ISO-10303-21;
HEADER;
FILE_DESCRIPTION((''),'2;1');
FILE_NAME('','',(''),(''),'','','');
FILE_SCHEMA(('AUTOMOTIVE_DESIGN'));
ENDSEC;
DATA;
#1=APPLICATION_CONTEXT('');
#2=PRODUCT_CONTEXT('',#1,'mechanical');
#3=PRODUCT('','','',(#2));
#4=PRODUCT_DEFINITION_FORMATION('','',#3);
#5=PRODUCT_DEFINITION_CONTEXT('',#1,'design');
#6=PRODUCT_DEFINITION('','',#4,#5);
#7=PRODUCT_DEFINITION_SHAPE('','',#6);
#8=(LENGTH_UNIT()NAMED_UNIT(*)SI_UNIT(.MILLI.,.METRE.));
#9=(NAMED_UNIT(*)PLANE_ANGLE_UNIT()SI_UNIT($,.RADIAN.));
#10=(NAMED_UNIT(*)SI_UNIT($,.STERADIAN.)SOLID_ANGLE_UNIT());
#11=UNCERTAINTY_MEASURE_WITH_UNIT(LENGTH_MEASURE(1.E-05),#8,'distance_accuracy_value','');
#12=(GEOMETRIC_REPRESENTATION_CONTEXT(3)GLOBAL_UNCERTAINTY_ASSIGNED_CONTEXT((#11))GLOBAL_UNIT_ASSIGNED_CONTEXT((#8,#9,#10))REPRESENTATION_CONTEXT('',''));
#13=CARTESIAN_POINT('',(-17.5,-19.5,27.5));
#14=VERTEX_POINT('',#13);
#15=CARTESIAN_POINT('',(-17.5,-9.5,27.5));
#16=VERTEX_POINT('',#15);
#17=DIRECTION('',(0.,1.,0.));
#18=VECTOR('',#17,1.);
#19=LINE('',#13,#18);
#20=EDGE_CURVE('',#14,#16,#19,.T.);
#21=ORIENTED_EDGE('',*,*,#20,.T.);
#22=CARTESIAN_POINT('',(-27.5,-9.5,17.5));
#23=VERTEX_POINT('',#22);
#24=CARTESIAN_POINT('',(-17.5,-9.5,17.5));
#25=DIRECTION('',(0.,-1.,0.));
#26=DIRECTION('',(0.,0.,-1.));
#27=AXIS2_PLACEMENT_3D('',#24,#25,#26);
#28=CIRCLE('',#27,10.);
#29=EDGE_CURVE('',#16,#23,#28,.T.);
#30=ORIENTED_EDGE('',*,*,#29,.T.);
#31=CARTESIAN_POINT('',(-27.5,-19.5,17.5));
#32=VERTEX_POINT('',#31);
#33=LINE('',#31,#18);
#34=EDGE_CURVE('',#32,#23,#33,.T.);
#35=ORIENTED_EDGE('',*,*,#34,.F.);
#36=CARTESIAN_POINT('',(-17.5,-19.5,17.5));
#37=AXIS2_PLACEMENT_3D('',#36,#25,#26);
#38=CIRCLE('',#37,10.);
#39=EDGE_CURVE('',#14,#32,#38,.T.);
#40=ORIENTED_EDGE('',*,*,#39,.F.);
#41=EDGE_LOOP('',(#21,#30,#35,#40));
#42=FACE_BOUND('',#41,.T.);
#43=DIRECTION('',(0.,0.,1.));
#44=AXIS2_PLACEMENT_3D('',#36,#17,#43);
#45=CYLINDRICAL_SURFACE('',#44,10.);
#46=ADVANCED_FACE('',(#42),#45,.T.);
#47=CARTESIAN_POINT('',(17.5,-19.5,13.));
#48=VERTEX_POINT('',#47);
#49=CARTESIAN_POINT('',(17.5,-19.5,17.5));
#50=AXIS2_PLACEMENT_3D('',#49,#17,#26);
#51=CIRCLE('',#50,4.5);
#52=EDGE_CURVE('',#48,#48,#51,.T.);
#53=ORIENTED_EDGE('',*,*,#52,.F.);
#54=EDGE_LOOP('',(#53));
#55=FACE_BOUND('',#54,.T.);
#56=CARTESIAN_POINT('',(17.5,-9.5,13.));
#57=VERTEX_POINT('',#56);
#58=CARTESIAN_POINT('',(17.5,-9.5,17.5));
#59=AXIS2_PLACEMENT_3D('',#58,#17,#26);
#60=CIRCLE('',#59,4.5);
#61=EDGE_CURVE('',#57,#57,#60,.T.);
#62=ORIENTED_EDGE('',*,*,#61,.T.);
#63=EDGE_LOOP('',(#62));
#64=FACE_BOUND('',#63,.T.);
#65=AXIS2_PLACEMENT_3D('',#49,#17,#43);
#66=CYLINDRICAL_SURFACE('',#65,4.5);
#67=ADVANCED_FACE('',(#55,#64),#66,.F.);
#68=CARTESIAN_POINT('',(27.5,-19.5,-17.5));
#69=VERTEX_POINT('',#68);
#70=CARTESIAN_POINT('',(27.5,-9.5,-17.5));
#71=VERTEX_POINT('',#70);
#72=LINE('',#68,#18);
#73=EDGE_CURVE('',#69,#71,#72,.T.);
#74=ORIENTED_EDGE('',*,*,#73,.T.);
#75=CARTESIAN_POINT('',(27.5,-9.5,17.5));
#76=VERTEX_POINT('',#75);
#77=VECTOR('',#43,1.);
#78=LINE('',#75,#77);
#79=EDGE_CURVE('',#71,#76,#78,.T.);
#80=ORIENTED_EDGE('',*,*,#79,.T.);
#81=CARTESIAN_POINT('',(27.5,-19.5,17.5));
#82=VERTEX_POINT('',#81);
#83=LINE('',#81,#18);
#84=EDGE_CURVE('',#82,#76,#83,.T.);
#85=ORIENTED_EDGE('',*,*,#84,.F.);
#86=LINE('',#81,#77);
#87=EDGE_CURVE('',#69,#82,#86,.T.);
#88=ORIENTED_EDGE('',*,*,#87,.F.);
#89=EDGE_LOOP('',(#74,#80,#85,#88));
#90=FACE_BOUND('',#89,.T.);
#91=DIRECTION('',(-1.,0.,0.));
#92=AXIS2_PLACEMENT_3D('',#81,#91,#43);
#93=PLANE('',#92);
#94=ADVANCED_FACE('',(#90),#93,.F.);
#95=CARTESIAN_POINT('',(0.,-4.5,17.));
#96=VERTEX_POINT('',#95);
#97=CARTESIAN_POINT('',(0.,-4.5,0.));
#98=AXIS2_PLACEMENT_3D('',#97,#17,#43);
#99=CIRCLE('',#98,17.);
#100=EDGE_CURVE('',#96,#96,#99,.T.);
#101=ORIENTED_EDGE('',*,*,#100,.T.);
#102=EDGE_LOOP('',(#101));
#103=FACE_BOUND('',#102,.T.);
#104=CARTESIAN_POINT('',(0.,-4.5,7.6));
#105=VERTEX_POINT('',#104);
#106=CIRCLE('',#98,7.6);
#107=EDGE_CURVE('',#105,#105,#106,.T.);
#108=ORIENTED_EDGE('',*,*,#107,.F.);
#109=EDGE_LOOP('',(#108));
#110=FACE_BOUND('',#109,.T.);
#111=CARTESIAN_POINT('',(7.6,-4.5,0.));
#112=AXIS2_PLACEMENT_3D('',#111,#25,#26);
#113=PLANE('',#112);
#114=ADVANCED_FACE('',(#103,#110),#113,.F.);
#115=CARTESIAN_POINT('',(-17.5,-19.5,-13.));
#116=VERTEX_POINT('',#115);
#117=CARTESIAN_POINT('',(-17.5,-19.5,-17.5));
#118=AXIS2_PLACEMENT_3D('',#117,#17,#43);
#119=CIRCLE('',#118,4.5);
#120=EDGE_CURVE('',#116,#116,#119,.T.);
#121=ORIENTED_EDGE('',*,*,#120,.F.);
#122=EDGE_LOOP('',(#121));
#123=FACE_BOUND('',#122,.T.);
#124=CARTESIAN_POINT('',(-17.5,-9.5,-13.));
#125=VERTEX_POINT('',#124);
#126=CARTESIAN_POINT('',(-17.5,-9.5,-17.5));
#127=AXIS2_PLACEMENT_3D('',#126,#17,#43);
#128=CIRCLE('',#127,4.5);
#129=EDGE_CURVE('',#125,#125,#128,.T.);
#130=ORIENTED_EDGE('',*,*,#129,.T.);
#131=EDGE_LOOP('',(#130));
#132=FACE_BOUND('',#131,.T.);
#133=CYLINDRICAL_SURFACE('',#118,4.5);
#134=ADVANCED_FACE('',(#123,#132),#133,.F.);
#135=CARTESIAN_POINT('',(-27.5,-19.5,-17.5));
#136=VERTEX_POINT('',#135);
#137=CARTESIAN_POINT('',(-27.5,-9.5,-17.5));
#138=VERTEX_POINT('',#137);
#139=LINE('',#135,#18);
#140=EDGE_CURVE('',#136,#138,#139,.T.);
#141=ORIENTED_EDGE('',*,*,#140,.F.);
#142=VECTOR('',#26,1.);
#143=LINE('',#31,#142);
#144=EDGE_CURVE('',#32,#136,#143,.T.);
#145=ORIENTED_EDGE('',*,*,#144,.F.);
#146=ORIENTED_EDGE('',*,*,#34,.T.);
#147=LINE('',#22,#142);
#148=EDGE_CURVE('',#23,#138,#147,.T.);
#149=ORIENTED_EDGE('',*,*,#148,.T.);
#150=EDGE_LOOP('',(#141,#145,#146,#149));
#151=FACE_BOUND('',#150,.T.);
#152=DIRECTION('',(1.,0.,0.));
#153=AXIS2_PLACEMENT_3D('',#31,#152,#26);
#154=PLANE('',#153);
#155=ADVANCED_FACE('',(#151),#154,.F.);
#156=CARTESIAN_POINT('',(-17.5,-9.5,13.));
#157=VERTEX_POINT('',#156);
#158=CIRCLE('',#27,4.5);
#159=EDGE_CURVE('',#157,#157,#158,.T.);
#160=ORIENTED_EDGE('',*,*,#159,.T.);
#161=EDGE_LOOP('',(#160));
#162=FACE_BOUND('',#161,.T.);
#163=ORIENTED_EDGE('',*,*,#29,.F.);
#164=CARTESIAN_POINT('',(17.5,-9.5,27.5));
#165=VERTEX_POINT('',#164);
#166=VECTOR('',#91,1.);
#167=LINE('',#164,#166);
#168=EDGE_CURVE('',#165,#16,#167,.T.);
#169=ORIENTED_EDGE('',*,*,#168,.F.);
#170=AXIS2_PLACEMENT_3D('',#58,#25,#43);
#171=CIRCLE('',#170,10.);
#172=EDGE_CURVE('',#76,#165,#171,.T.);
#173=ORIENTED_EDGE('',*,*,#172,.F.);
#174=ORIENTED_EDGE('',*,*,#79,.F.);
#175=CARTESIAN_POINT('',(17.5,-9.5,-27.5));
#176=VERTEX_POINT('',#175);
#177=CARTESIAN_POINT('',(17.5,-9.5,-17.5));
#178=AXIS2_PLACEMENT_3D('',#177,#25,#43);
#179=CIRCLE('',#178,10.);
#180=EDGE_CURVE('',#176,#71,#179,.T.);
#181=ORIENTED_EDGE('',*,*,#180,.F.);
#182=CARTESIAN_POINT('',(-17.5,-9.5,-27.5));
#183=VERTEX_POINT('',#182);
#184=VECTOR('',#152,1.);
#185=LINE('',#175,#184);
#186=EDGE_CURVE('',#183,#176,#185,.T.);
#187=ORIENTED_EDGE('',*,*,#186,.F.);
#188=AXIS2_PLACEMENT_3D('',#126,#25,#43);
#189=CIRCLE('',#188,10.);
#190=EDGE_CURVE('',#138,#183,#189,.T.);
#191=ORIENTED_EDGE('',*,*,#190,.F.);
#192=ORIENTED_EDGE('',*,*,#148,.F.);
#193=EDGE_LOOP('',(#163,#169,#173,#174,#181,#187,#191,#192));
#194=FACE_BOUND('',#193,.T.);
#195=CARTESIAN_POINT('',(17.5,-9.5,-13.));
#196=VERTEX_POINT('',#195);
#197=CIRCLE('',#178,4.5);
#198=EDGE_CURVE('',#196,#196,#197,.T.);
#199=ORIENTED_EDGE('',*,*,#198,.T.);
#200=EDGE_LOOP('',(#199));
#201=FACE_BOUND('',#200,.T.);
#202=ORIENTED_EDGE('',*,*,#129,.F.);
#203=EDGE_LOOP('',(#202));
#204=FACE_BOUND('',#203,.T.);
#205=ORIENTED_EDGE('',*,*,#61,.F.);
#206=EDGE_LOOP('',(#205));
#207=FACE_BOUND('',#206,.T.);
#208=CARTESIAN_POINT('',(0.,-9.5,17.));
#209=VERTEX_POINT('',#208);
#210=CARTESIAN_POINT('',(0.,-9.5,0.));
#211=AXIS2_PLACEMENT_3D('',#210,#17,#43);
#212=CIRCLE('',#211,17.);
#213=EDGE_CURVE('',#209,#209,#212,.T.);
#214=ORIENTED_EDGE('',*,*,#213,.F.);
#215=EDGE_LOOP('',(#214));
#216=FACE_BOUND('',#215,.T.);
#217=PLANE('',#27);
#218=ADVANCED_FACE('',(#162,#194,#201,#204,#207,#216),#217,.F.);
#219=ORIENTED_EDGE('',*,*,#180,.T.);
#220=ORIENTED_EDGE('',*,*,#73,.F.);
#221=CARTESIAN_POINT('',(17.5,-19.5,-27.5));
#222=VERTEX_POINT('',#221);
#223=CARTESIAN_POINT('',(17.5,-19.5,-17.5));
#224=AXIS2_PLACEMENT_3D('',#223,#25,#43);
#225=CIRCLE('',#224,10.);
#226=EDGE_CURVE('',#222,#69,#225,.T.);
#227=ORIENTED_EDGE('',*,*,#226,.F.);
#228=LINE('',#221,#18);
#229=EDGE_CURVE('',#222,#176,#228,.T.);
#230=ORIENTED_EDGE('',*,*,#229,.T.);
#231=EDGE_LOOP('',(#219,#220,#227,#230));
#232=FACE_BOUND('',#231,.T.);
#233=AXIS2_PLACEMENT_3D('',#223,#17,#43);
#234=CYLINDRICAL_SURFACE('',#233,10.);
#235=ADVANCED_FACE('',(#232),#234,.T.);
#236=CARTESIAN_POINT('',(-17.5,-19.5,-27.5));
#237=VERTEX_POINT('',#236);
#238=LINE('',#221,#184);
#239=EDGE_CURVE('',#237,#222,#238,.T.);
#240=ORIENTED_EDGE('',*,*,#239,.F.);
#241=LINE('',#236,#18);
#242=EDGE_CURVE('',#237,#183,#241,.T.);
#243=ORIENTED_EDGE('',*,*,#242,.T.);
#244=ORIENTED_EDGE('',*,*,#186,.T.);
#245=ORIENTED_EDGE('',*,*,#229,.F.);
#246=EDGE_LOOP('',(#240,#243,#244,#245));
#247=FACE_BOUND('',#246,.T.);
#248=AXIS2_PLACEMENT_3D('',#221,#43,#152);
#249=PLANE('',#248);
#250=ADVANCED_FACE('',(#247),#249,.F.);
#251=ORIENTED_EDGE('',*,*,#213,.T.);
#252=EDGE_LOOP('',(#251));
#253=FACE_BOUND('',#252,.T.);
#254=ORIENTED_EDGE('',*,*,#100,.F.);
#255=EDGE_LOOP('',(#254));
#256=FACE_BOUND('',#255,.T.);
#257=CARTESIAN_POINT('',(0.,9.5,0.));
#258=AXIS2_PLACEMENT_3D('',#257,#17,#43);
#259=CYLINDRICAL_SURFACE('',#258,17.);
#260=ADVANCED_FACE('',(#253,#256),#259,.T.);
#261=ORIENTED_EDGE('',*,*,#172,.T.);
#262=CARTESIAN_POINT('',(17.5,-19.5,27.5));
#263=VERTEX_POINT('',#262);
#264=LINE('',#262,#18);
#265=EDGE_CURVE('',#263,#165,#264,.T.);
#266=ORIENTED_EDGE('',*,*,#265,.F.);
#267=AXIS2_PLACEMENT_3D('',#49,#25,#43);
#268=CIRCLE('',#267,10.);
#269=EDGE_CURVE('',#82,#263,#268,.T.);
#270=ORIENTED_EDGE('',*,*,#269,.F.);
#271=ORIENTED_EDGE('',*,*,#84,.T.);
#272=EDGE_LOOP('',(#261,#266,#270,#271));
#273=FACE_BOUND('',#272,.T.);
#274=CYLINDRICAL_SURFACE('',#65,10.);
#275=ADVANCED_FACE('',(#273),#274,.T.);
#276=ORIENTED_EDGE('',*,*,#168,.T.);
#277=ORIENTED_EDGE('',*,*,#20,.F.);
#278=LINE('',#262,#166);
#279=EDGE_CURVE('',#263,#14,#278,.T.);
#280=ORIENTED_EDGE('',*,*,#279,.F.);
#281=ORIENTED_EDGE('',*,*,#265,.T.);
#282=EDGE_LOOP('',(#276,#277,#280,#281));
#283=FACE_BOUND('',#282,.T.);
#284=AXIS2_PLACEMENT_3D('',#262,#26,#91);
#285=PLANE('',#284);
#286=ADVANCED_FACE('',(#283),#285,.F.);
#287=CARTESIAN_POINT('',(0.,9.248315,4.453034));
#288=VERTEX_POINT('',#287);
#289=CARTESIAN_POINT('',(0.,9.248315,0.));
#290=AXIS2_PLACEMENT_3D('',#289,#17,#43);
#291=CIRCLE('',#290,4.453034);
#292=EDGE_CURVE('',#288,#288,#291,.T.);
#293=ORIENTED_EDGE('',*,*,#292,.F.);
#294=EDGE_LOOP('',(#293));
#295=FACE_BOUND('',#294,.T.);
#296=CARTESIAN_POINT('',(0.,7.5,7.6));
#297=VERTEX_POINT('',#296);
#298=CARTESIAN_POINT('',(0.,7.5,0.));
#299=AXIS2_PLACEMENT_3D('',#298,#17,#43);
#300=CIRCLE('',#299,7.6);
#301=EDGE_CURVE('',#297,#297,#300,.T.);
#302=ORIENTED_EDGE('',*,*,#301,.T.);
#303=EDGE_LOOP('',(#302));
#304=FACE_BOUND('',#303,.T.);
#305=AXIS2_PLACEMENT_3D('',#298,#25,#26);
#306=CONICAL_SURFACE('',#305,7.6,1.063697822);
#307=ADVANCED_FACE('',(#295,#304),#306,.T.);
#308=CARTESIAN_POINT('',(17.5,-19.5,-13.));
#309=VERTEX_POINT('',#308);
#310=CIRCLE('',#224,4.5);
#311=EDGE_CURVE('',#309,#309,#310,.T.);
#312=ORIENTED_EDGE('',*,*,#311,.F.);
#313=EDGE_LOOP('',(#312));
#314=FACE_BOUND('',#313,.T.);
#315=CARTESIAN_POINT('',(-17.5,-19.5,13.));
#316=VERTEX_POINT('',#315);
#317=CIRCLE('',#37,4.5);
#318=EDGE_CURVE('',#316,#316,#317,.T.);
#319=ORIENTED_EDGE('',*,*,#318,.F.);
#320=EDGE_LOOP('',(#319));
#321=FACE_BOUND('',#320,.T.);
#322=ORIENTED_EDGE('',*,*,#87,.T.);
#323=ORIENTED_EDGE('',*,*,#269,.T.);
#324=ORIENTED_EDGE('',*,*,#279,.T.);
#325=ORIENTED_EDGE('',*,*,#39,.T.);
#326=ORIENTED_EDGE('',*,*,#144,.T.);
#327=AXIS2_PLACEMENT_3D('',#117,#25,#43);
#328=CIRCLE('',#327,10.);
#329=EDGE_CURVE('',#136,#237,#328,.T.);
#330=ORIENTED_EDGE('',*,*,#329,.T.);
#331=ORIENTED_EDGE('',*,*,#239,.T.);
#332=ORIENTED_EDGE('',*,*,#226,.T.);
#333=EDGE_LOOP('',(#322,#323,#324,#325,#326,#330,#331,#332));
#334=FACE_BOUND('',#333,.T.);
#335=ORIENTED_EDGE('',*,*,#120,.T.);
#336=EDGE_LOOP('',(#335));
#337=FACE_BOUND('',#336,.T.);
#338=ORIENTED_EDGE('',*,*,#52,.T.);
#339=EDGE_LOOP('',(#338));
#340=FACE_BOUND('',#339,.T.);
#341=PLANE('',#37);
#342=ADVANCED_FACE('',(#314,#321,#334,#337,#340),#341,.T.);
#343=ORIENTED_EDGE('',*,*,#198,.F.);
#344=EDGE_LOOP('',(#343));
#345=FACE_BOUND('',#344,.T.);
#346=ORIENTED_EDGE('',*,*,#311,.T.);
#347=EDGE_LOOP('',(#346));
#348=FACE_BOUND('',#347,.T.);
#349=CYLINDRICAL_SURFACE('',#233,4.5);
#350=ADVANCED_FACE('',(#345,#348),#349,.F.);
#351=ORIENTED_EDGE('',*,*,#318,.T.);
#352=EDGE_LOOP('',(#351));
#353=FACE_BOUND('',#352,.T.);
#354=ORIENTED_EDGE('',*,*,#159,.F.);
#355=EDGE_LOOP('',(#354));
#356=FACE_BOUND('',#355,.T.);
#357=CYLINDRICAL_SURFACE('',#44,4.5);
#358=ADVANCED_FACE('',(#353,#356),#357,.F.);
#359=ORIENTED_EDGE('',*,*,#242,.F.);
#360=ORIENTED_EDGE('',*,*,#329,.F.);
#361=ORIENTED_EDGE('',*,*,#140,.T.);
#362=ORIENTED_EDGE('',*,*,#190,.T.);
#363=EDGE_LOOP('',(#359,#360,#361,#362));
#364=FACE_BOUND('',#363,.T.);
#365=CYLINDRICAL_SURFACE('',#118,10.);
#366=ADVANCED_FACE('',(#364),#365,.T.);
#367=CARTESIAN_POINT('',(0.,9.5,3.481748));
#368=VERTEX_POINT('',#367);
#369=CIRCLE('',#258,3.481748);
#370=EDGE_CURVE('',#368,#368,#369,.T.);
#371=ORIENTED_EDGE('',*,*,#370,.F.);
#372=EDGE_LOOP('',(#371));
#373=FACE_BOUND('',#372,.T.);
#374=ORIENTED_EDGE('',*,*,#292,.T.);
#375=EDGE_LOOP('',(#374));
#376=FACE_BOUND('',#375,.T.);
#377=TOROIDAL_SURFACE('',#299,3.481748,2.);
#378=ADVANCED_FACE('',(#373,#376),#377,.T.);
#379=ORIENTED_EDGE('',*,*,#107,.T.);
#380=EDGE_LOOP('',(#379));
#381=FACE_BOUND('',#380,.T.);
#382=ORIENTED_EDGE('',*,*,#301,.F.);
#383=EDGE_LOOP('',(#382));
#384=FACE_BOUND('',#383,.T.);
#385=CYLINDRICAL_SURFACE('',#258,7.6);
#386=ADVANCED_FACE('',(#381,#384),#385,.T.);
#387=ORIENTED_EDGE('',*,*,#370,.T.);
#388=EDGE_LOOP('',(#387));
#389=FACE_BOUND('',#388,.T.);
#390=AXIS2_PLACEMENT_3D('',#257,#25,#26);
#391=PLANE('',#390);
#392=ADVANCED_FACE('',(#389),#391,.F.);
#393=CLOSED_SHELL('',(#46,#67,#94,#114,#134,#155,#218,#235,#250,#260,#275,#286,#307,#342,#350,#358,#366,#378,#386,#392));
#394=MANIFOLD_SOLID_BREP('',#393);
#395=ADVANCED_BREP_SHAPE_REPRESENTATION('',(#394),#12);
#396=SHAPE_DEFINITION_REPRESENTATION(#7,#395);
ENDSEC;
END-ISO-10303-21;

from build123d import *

# Parameters (mm, degrees)
BOSS_EXTRUDE1_DEPTH                        = 10
SKETCH3_R                                  = 4.5
CUT_EXTRUDE1_DEPTH                         = 44.28394626
MIRROR1_AT_THE_SECOND_PLANE_COPY_1_SKETC_R = 4.5
MIRROR1_AT_THE_SECOND_PLANE_COPY_1_DEPTH   = 44.28394626


with BuildPart() as part:
    # Sketch1 → Revolve1 (revolve)
    with BuildSketch(Plane.XY, mode=Mode.PRIVATE) as revolve1_sk:
        with BuildLine():
            Line((0, 9.5), (3.481747944, 9.5))
            ThreePointArc((3.481747944, 9.5), (3.98343056, 9.436056443), (4.453033806, 9.248314552))
            Line((4.453033806, 9.248314552), (7.6, 7.5))
            Line((7.6, 7.5), (7.6, -4.5))
            Line((7.6, -4.5), (17, -4.5))
            Line((17, -4.5), (17, -9.5))
            Line((17, -9.5), (7.6, -9.5))
            Line((7.6, -9.5), (0, -9.5))
            Line((0, -9.5), (0, 9.5))
        make_face()
    revolve(revolve1_sk.sketch.rotate(Axis((0, 9.5, 0), (0, -1, 0)), 90), axis=Axis((0, 9.5, 0), (0, -1, 0)))

    # Sketch2 → Boss-Extrude1 (add)
    with BuildSketch(Plane.XZ.offset(9.5)):
        with BuildLine():
            Line((17.5, 27.5), (-17.5, 27.5))
            ThreePointArc((-17.5, 27.5), (-24.571067812, 24.571067812), (-27.5, 17.5))
            Line((-27.5, 17.5), (-27.5, -17.5))
            ThreePointArc((-27.5, -17.5), (-24.571067812, -24.571067812), (-17.5, -27.5))
            Line((-17.5, -27.5), (17.5, -27.5))
            ThreePointArc((17.5, -27.5), (24.571067812, -24.571067812), (27.5, -17.5))
            Line((27.5, -17.5), (27.5, 17.5))
            ThreePointArc((27.5, 17.5), (24.571067812, 24.571067812), (17.5, 27.5))
        make_face()
    extrude(amount=BOSS_EXTRUDE1_DEPTH)

    # Sketch3 → Cut-Extrude1 (cut, through all)
    with BuildSketch(Plane(origin=(0, -9.5, 0), x_dir=(1, 0, 0), z_dir=(0, 1, 0))):
        with Locations(Location((-17.5, 17.5, 0), (0, 0, 270))):
            Circle(SKETCH3_R)
    cut_extrude1 = extrude(amount=-CUT_EXTRUDE1_DEPTH, mode=Mode.SUBTRACT)

    # Mirror1: Cut-Extrude1 across plane
    add(cut_extrude1.mirror(Plane.XY), mode=Mode.SUBTRACT)

    # Mirror1 at the second plane: Cut-Extrude1 across plane
    add(cut_extrude1.mirror(Plane(origin=(0, 0, 0), x_dir=(0, 0, 1), z_dir=(1, 0, 0))), mode=Mode.SUBTRACT)

    # Mirror1 at the second plane copy 1 sketc → Mirror1 at the second plane copy 1 (cut, through all)
    with BuildSketch(Plane(origin=(0, -9.5, 0), x_dir=(-1, 0, 0), z_dir=(0, 1, 0))):
        with Locations(Location((-17.5, 17.5, 0), (0, 0, 270))):
            Circle(MIRROR1_AT_THE_SECOND_PLANE_COPY_1_SKETC_R)
    extrude(amount=-MIRROR1_AT_THE_SECOND_PLANE_COPY_1_DEPTH, mode=Mode.SUBTRACT)


solid = part.part
